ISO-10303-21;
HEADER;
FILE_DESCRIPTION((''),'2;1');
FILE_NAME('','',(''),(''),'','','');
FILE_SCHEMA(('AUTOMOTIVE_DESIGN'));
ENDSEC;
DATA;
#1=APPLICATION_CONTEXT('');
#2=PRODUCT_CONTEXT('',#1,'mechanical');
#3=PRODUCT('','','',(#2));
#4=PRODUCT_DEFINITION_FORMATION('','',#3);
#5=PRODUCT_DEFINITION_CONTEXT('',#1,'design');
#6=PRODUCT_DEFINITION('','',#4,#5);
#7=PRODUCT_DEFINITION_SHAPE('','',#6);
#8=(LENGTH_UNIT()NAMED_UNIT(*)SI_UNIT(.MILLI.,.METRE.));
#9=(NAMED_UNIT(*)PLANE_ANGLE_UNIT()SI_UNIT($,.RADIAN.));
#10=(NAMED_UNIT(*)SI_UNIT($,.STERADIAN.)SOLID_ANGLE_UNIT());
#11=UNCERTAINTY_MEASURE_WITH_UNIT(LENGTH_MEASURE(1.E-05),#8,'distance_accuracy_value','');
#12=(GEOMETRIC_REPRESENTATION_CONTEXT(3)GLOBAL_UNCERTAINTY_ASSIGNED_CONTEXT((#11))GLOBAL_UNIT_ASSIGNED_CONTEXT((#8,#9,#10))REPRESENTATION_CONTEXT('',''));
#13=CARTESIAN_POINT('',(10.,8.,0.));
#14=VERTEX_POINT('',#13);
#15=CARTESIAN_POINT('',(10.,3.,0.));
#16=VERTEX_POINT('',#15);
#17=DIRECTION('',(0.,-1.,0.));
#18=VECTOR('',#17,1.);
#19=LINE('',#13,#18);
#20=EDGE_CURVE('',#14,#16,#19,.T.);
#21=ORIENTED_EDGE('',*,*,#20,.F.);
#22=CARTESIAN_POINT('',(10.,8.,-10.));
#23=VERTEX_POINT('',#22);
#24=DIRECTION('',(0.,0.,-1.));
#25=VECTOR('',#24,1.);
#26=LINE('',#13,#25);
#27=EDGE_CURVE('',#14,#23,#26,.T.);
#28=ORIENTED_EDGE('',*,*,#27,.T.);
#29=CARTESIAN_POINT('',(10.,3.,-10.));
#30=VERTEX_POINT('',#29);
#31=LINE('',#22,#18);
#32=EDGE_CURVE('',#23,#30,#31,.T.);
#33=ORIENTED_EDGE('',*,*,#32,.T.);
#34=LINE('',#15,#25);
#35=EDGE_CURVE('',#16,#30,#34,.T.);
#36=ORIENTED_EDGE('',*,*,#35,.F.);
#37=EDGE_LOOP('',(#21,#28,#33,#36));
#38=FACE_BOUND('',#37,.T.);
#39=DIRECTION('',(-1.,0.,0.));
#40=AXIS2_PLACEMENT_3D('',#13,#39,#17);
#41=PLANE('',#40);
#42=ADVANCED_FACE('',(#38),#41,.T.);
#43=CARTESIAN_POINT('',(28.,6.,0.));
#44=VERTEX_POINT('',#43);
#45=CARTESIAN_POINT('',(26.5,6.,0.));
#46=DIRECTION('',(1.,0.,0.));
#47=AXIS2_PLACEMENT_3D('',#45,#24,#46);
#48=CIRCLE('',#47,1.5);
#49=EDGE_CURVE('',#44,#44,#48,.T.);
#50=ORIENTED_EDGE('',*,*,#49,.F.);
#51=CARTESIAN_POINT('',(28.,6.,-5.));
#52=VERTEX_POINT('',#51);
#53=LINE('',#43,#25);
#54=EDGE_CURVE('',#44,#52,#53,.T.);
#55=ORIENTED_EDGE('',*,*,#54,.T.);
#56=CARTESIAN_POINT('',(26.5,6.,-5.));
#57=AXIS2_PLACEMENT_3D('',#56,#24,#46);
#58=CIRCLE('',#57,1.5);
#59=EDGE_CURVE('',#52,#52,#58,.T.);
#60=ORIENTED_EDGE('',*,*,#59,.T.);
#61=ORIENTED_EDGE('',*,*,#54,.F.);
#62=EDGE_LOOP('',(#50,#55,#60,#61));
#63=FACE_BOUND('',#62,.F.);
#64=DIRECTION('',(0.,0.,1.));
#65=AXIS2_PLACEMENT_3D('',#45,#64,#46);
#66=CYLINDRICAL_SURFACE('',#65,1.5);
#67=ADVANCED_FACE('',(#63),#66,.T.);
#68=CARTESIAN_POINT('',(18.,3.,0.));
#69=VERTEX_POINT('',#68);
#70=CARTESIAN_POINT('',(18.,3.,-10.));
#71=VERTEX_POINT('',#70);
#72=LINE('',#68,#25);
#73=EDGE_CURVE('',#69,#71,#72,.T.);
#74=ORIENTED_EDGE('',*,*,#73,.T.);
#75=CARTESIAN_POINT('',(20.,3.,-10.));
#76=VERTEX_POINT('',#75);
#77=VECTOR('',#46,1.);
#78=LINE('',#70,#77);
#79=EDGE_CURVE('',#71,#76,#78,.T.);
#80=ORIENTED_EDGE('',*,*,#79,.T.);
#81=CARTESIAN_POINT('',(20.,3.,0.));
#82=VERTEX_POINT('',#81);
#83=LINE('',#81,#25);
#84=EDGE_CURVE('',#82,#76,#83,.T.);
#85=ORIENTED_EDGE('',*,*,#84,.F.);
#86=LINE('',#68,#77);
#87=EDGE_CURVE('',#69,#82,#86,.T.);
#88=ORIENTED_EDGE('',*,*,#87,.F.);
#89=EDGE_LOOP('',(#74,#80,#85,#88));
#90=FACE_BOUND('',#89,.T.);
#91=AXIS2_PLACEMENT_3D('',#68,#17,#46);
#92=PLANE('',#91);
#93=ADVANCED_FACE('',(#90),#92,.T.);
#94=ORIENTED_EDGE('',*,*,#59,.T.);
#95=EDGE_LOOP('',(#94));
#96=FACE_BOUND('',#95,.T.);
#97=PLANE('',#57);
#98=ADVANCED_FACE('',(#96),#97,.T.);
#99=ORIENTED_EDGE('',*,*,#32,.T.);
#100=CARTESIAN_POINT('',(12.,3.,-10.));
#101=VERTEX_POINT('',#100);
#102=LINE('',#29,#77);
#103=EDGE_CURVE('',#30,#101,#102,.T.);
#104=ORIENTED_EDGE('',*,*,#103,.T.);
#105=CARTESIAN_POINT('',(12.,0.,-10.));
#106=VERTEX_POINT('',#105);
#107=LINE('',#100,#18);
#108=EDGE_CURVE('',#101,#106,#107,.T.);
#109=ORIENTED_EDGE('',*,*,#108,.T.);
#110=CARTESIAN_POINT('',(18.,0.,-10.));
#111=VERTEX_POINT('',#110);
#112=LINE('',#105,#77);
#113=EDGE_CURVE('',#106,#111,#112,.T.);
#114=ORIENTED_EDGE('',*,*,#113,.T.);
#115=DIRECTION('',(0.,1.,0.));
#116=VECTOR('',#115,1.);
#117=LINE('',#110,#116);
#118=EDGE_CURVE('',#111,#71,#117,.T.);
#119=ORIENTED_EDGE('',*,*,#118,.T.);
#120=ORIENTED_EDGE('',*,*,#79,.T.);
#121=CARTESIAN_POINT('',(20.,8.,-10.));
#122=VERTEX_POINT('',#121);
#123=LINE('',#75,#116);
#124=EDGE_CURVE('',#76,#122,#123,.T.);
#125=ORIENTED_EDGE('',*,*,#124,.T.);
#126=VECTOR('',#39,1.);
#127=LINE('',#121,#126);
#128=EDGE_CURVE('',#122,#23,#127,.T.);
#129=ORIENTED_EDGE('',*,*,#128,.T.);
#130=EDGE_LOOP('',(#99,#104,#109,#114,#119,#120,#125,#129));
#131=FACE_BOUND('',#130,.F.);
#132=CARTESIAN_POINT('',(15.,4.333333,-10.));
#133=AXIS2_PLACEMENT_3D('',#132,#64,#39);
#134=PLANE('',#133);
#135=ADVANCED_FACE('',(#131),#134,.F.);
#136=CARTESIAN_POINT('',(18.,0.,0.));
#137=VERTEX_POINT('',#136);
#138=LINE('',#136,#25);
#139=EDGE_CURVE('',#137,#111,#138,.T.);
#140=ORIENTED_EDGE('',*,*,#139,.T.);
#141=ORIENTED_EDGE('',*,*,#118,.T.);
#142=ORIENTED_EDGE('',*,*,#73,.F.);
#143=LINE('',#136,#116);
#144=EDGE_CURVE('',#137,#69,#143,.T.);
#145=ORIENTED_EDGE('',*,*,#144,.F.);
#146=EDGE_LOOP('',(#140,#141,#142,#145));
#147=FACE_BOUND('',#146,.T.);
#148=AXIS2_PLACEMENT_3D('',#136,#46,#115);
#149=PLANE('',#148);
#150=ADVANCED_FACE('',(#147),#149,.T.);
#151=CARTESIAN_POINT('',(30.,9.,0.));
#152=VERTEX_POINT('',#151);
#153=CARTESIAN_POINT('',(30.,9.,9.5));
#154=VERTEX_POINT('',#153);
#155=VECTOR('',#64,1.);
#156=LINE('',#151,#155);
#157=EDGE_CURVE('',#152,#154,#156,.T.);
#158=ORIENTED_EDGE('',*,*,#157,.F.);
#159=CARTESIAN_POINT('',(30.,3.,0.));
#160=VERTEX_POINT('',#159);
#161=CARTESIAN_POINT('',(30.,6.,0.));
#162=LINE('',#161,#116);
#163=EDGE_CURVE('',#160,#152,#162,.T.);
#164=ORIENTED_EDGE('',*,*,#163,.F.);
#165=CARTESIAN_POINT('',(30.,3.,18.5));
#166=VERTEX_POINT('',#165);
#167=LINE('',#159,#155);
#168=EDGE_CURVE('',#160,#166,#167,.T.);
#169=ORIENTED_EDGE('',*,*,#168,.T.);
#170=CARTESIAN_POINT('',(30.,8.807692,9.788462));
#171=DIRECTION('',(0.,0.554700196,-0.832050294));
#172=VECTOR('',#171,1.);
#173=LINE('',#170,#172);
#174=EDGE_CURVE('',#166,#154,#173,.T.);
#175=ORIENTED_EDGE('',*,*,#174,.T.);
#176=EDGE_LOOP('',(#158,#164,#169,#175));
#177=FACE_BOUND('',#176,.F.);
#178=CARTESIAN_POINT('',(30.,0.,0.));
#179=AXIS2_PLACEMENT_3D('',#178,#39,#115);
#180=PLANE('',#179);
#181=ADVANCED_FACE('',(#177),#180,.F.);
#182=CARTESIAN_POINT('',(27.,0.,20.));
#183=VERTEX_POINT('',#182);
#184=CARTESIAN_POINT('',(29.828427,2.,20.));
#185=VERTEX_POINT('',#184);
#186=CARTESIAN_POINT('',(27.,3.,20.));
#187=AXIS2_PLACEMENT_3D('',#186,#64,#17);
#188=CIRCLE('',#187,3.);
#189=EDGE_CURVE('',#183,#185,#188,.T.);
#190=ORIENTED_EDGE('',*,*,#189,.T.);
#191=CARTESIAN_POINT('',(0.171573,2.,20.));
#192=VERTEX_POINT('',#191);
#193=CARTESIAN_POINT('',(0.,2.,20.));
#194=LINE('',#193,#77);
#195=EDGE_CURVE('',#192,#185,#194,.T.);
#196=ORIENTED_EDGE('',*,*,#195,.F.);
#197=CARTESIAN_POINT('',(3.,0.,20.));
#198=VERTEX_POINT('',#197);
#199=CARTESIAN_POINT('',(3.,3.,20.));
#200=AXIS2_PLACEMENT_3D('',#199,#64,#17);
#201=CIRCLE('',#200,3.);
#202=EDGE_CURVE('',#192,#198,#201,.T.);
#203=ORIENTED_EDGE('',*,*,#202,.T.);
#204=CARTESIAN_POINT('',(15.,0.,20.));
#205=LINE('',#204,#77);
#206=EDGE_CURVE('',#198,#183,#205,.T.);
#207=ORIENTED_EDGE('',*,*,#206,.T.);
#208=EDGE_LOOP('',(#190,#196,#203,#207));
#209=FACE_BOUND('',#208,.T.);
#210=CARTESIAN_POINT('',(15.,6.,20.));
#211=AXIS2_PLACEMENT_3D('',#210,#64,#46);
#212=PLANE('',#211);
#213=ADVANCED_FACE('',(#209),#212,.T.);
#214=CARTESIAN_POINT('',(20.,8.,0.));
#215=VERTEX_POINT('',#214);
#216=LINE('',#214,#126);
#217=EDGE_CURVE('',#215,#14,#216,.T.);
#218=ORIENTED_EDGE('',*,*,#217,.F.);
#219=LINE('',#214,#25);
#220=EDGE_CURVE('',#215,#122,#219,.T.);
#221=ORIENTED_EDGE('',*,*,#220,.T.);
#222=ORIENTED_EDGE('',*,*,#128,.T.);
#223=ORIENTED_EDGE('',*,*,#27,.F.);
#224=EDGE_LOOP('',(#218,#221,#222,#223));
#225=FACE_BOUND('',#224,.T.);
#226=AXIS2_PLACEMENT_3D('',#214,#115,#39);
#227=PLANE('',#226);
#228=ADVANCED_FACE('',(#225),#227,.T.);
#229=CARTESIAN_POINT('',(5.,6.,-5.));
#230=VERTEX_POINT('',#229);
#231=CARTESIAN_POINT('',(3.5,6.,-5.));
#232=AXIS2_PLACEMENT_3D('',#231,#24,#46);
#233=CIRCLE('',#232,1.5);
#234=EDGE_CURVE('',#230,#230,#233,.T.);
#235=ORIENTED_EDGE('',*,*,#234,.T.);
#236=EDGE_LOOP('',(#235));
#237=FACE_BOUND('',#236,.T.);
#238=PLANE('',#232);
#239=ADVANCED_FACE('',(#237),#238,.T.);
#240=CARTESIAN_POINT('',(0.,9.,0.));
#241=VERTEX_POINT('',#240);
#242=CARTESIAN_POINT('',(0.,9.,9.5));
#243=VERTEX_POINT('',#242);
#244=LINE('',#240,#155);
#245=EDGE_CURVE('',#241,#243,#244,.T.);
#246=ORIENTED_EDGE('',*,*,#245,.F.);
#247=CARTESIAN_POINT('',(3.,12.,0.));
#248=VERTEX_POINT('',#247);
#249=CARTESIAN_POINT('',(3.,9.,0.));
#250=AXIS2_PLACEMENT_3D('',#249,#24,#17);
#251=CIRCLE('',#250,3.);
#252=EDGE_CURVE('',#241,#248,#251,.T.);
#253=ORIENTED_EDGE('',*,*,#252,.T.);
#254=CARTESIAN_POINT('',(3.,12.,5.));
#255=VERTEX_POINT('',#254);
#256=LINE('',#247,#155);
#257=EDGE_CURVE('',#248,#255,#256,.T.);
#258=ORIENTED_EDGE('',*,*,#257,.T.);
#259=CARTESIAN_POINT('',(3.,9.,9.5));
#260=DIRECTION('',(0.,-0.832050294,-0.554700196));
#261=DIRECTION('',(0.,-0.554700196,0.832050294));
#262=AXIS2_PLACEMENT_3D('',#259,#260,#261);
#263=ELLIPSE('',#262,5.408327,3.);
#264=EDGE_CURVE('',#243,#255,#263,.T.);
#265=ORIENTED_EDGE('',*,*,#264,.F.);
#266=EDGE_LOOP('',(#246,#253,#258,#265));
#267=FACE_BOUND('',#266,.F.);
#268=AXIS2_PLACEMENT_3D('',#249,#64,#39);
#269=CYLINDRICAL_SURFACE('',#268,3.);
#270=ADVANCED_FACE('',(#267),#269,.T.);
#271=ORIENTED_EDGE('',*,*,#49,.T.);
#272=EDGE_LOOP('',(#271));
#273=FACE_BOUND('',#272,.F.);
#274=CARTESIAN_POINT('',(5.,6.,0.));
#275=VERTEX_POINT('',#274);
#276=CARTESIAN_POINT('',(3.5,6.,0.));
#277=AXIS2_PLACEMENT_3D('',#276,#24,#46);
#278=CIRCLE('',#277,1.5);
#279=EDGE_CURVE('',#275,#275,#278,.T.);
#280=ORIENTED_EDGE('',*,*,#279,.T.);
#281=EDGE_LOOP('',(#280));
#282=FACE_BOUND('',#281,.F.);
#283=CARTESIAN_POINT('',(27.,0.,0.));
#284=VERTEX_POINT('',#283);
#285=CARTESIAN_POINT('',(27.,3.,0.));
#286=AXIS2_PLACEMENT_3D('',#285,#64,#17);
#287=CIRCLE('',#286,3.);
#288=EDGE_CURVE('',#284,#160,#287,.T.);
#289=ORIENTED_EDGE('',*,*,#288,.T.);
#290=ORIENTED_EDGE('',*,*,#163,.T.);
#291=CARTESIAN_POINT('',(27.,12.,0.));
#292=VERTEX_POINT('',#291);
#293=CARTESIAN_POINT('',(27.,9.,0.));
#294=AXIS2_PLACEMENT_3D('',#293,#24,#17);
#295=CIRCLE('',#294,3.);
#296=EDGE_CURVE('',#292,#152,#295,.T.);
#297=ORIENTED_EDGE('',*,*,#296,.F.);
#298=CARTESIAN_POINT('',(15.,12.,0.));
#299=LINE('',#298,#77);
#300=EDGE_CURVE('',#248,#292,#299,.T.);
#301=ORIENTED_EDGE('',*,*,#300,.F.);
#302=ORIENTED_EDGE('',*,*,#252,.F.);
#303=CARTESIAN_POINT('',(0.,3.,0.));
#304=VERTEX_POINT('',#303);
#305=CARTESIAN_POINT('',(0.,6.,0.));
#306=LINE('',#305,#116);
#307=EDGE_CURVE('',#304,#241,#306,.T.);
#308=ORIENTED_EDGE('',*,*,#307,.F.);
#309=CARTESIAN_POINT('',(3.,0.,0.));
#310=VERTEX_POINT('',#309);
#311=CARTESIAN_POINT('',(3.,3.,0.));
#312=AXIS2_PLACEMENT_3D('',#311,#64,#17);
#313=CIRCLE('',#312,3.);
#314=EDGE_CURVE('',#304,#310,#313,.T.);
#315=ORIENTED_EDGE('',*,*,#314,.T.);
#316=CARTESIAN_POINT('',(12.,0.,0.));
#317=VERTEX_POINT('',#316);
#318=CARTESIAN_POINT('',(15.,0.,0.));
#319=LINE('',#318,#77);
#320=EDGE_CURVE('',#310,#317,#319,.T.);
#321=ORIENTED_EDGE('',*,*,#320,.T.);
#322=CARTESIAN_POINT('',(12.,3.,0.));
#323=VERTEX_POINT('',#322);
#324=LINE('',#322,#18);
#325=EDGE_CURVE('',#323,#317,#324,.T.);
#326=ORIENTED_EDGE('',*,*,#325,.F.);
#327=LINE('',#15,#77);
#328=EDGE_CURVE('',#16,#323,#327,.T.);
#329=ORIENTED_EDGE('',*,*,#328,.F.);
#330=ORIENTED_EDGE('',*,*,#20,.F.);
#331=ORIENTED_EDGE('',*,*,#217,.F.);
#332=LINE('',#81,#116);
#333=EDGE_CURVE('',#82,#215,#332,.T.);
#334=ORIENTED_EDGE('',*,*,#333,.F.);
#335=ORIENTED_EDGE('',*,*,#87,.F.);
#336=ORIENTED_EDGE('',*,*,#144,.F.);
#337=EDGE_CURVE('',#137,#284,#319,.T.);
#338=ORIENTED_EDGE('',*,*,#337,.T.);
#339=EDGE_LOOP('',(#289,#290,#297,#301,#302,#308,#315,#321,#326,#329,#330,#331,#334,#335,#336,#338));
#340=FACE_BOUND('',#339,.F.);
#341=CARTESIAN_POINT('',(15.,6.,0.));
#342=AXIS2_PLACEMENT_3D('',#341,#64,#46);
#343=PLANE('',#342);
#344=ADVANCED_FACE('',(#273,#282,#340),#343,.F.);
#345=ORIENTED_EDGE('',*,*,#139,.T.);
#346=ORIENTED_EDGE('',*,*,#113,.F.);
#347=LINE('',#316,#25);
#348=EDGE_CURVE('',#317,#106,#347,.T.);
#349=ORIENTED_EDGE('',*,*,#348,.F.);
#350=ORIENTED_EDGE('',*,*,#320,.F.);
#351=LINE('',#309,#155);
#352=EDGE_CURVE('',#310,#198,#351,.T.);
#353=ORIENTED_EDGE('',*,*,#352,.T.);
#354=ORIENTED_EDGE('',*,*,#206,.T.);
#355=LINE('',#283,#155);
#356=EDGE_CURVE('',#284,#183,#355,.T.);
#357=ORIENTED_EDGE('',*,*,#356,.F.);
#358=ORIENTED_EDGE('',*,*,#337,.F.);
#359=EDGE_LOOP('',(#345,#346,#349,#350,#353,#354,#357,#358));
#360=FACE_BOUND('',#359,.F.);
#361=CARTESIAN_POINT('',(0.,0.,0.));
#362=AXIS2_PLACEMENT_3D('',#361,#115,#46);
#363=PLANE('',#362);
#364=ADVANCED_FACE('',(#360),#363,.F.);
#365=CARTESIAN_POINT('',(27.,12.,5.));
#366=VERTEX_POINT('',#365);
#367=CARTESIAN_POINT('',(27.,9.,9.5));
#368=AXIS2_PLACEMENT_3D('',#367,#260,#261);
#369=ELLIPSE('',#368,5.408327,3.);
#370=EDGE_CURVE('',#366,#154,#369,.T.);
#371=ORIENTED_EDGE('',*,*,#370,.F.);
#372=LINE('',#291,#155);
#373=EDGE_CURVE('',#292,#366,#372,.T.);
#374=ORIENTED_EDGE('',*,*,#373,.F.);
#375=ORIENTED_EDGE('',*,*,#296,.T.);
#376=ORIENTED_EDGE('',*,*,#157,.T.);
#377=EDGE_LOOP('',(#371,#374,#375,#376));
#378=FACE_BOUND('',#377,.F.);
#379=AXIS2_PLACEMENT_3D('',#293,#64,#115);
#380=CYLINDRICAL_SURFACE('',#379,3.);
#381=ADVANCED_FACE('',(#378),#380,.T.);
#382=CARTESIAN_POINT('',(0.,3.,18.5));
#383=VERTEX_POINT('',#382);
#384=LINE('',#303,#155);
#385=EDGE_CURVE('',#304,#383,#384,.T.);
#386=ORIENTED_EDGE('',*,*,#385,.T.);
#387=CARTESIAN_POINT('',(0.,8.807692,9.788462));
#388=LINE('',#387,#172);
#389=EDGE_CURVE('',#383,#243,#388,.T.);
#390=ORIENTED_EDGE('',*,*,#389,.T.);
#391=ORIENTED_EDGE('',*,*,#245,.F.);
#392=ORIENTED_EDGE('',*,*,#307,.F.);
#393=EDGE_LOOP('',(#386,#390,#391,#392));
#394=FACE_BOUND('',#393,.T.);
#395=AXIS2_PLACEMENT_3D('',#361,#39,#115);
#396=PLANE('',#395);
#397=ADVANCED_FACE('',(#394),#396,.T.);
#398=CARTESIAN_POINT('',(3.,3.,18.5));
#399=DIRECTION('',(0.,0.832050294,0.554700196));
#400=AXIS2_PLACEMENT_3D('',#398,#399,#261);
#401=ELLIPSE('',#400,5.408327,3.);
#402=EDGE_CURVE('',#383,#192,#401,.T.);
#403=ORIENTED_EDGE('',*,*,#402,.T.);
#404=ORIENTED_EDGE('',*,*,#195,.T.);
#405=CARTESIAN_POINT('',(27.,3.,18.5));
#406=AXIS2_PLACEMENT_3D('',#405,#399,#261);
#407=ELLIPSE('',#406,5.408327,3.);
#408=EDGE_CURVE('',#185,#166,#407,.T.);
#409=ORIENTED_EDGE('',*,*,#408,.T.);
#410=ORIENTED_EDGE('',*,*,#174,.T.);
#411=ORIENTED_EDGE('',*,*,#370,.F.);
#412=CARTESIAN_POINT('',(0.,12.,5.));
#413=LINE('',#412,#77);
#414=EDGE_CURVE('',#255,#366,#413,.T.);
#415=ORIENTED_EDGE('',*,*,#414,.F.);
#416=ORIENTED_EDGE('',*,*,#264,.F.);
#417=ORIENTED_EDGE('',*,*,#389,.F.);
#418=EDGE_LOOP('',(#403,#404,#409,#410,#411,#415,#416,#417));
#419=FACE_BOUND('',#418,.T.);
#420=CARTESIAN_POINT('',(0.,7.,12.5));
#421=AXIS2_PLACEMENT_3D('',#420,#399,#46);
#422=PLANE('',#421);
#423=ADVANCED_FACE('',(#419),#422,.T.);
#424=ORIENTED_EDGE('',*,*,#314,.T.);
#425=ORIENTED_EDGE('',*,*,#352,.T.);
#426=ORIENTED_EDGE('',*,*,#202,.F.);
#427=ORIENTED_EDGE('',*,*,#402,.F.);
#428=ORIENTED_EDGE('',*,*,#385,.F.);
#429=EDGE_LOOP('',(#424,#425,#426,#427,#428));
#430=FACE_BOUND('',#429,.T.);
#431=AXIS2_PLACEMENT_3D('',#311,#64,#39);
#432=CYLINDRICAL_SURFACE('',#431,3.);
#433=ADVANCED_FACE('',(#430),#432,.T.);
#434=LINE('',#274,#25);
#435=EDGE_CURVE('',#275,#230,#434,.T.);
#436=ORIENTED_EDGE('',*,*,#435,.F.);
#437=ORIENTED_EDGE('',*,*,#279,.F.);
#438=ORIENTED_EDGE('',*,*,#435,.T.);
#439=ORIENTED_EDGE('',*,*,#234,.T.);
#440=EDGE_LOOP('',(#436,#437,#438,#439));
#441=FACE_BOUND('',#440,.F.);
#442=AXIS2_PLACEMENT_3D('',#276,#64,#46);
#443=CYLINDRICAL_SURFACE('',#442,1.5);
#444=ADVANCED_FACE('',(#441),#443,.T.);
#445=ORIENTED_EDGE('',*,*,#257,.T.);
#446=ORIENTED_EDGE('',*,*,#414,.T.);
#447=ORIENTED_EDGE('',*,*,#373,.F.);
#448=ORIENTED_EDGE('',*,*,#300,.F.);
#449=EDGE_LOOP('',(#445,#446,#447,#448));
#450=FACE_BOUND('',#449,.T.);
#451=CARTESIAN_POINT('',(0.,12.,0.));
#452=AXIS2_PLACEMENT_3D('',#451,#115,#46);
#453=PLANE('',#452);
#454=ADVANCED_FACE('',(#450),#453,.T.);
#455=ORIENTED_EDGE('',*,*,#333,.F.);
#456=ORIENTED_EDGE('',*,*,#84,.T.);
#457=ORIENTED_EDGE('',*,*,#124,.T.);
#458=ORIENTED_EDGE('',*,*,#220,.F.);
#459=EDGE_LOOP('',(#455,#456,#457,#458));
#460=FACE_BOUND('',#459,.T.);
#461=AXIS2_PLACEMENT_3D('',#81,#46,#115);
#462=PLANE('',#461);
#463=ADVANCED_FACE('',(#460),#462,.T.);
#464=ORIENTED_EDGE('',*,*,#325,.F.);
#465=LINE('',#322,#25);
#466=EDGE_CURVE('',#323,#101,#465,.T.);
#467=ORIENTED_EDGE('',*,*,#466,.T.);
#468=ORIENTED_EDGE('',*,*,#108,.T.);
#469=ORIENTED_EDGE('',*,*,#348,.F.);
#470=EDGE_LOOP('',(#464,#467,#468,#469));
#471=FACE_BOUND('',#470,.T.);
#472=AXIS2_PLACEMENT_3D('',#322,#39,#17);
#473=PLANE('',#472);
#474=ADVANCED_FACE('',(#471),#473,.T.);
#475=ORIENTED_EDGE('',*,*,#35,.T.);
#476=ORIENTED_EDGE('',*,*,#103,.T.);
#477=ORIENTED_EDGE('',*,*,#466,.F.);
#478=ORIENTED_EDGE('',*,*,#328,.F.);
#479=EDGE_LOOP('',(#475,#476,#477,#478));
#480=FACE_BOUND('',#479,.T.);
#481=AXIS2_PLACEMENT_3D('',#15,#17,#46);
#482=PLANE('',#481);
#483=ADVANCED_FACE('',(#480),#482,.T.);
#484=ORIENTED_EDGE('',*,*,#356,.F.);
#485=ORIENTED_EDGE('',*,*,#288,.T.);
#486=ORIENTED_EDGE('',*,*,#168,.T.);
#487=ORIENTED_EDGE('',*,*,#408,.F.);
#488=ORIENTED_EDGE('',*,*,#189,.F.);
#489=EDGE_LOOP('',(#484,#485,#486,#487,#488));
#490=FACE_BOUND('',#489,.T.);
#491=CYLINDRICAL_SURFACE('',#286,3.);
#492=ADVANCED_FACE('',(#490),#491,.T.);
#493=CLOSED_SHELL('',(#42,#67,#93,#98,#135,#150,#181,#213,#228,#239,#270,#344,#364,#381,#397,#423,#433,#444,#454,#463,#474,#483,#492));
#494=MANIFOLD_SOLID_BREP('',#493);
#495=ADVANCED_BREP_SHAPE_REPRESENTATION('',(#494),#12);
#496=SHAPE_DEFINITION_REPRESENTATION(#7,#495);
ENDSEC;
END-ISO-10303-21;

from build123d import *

# Parameters (mm, degrees)
SKETCH_W      = 30
SKETCH_H      = 12
PAD_DEPTH     = 20
PAD001_DEPTH  = 10
SKETCH002_R   = 1.5
PAD002_DEPTH  = 5
CHAMFER_SIZE2 = 15
CHAMFER_SIZE  = 10
FILLET_R      = 3


with BuildPart() as part:
    # Sketch → Pad (new body)
    with BuildSketch(Plane.XY):
        with Locations((15, 6)):
            Rectangle(SKETCH_W, SKETCH_H)
    extrude(amount=PAD_DEPTH)

    # Sketch001 (on Face5 of Pad) → Pad001 (join)
    with BuildSketch(Plane(origin=(0, 0, 0), x_dir=(1, 0, 0), z_dir=(0, 0, -1))):
        Polygon((12, 0), (18, 0), (18, -3), (20, -3), (20, -8), (10, -8), (10, -3), (12, -3), align=None)
    extrude(amount=PAD001_DEPTH)

    # Sketch002 (on Face4 of Pad001) → Pad002 (join)
    with BuildSketch(Plane(origin=(0, 0, 0), x_dir=(1, 0, 0), z_dir=(0, 0, -1))):
        with Locations((3.5, -6)):
            Circle(SKETCH002_R)
        with Locations((26.5, -6)):
            Circle(SKETCH002_R)
    extrude(amount=PAD002_DEPTH)

    # Chamfer
    chamfer_edges = [part.edges().sort_by_distance(p)[0] for p in [
        (15, 12, 20),
    ]]
    chamfer_side = part.faces().sort_by_distance((15, 6, 20))[0]
    chamfer(chamfer_edges, length=CHAMFER_SIZE, length2=CHAMFER_SIZE2, reference=chamfer_side)

    # Fillet
    fillet_edges = [part.edges().sort_by_distance(p)[0] for p in [
        (0, 12, 2.5),
        (0, 0, 10),
        (30, 12, 2.5),
        (30, 0, 10),
    ]]
    fillet(fillet_edges, radius=FILLET_R)


solid = part.part
